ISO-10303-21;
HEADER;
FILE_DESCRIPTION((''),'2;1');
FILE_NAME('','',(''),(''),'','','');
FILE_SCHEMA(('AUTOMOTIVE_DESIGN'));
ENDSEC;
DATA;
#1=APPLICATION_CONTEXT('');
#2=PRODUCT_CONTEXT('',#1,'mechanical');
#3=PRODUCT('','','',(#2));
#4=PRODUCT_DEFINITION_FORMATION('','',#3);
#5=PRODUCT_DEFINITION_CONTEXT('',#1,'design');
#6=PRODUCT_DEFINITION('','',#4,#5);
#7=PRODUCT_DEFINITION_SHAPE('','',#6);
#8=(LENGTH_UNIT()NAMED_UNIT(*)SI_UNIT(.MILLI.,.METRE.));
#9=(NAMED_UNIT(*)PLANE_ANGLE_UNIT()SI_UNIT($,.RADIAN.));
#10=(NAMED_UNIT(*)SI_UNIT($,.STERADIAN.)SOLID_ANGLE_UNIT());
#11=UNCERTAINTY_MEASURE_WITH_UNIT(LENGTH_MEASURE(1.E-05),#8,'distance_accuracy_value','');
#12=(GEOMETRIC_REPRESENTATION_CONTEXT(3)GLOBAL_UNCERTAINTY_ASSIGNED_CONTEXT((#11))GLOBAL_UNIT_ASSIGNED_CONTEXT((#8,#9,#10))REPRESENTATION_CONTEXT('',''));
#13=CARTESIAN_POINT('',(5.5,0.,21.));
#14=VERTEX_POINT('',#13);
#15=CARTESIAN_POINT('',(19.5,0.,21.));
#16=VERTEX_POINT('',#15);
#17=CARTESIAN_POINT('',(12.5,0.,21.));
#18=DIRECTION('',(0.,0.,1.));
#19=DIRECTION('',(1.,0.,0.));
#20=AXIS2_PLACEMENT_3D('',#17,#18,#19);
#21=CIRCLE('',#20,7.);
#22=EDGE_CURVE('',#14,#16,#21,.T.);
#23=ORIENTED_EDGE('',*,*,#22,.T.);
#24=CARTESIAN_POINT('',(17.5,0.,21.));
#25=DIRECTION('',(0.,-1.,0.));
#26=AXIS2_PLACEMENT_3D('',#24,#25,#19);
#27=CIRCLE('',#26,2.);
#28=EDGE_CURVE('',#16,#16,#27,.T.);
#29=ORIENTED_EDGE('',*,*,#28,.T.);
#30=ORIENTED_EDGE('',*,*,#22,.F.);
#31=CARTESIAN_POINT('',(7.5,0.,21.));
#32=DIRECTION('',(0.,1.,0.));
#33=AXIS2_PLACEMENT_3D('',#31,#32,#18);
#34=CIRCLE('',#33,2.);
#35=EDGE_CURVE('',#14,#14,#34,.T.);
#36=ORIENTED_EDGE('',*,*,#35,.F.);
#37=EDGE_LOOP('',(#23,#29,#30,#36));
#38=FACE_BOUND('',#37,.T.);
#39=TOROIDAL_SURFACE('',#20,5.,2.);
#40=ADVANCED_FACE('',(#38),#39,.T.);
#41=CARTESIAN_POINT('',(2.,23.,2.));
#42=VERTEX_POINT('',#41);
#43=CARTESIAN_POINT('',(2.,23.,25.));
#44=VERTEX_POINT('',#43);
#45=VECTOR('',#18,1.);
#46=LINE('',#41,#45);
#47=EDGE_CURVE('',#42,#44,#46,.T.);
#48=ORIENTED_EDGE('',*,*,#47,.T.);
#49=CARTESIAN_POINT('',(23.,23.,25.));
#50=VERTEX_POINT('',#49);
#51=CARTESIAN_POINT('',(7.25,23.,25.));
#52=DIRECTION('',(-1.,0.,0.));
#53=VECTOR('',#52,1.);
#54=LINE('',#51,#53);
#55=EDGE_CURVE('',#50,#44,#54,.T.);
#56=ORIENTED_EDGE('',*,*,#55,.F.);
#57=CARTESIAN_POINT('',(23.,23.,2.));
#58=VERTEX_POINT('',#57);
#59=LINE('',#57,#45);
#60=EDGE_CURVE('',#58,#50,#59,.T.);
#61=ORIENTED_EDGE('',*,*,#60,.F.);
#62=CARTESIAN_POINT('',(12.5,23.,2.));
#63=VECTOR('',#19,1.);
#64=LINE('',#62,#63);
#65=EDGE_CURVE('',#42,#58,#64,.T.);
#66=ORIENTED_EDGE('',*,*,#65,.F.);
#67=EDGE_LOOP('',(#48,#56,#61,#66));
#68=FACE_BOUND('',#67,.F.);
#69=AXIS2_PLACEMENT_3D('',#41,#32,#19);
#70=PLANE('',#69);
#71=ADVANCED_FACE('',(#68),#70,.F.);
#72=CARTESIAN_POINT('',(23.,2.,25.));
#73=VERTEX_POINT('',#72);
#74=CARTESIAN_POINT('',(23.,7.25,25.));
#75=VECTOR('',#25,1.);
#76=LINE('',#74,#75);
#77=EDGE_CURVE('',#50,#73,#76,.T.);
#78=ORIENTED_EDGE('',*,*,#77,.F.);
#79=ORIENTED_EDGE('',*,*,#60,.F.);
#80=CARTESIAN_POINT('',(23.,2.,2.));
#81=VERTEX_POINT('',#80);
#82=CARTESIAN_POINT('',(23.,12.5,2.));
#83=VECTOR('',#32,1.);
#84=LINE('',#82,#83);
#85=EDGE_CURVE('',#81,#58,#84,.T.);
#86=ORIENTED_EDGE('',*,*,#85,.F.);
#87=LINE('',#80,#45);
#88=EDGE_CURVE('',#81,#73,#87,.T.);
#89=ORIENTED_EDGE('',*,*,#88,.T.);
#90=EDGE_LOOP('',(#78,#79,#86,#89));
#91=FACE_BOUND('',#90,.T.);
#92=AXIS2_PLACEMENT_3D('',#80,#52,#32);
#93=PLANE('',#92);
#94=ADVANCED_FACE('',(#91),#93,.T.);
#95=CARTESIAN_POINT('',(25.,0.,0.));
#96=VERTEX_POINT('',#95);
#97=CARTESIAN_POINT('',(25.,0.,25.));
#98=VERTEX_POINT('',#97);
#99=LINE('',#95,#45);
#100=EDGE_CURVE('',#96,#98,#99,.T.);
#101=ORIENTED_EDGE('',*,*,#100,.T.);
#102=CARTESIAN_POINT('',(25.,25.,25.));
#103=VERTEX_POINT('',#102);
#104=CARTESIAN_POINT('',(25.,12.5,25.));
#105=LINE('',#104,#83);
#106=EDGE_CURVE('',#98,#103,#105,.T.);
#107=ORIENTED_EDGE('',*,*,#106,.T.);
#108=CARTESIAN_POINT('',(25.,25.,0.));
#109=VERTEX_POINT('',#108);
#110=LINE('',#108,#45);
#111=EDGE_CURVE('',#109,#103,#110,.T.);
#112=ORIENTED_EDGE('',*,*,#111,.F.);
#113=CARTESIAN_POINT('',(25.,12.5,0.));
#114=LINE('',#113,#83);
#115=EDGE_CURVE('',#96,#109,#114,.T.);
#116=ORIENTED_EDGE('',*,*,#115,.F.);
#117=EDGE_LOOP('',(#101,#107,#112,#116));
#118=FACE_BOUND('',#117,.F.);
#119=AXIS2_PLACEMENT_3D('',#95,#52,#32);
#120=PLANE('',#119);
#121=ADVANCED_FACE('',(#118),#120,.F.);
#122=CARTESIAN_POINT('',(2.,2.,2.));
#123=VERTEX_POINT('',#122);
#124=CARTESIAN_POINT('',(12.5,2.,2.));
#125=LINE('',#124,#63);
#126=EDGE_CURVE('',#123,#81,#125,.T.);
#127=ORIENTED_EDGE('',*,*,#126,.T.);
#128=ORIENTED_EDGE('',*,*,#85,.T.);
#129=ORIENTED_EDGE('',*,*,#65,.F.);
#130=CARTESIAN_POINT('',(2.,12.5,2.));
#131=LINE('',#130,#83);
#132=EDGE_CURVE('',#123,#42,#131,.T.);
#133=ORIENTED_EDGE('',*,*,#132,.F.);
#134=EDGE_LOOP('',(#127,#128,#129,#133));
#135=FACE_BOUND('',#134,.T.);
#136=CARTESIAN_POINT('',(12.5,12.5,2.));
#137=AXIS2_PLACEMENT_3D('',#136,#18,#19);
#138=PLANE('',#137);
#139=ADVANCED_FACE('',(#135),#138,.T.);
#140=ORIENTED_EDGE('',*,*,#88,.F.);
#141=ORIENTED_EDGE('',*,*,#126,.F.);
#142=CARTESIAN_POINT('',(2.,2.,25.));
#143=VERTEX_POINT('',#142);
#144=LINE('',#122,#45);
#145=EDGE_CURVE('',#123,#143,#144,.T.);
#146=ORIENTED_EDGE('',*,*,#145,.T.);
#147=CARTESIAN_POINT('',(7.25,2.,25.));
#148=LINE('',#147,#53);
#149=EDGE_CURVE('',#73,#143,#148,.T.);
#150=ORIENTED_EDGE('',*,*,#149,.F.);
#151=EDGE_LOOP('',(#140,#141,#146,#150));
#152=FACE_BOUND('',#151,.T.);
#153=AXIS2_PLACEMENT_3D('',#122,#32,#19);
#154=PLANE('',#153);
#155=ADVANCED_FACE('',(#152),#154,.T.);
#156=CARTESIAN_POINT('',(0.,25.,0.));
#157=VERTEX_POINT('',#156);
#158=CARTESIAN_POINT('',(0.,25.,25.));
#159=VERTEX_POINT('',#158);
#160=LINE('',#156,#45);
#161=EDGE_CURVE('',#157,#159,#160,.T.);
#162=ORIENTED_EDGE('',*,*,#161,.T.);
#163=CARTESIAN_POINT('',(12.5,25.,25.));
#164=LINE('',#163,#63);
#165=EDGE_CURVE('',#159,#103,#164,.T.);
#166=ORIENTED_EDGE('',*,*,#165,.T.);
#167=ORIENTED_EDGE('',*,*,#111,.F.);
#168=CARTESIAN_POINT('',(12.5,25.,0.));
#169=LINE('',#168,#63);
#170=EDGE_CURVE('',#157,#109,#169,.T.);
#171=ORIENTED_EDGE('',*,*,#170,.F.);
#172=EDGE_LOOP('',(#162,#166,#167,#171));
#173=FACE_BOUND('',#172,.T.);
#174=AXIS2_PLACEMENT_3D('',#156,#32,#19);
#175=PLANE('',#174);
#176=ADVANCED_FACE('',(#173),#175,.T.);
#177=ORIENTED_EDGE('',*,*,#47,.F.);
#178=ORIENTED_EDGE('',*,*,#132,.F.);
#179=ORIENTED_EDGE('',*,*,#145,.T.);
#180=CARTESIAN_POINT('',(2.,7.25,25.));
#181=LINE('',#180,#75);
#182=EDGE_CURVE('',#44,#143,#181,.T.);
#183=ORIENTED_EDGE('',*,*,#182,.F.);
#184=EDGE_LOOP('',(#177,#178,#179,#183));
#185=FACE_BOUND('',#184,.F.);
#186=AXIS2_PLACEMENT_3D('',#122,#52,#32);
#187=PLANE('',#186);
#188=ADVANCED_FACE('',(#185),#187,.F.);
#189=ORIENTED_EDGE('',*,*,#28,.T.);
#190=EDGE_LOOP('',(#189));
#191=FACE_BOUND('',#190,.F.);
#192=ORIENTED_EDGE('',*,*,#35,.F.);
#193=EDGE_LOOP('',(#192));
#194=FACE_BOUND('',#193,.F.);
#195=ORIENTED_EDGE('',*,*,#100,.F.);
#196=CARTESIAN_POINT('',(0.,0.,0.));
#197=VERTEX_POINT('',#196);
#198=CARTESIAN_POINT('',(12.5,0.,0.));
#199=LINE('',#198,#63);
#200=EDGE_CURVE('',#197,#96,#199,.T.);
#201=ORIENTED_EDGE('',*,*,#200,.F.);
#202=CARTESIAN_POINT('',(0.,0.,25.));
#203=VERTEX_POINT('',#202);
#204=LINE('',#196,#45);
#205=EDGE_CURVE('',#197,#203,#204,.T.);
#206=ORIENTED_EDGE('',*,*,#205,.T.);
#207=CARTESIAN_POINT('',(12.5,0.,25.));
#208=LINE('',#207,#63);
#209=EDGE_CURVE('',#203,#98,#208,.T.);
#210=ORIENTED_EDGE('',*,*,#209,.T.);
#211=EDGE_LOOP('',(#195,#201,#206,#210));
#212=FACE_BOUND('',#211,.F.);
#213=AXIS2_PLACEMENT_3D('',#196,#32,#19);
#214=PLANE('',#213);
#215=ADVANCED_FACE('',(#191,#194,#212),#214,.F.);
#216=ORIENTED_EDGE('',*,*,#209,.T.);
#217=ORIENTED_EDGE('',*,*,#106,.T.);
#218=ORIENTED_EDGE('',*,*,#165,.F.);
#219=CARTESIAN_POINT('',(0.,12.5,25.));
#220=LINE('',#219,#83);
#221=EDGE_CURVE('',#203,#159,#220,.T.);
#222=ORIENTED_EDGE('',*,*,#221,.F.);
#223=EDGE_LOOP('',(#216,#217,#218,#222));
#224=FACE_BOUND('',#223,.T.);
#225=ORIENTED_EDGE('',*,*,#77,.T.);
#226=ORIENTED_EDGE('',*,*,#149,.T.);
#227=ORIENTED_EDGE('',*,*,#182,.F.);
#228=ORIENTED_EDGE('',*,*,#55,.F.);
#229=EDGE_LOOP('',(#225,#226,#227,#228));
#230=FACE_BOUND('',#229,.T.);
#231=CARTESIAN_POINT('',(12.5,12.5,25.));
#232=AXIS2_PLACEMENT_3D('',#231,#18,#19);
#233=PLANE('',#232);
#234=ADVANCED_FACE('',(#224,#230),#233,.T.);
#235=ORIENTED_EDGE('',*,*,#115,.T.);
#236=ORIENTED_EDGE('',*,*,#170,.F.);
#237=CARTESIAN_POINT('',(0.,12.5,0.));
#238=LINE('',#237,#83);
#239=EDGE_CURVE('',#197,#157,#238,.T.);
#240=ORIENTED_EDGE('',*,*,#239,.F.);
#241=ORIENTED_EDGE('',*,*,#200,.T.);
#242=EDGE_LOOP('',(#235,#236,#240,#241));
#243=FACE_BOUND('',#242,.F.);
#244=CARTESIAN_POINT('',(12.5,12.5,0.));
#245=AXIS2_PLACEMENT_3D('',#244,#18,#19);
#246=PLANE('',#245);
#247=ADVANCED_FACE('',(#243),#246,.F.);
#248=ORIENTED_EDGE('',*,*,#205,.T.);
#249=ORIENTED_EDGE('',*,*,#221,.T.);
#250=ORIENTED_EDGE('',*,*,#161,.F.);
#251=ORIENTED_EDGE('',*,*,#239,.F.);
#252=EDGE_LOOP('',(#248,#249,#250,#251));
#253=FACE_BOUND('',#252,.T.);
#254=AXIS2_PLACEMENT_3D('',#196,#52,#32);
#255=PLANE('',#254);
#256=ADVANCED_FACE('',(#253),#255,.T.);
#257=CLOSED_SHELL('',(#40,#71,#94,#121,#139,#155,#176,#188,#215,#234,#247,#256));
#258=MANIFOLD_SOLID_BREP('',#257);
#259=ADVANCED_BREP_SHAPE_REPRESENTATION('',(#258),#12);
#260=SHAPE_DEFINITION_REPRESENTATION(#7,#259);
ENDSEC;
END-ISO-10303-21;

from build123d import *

# Parameters (mm, degrees)
BOX001_W     = 21
BOX001_H     = 21
BOX001_DEPTH = 24
TORUS_R      = 2
BOX_W        = 25
BOX_H        = 25
BOX_DEPTH    = 25


with BuildPart() as cube001:
    # Box001 → Box001 (new body)
    with BuildSketch(Plane(origin=(2, 2, 2), x_dir=(1, 0, 0), z_dir=(0, 0, 1))):
        with Locations((10.5, 10.5)):
            Rectangle(BOX001_W, BOX001_H)
    extrude(amount=BOX001_DEPTH)


with BuildPart() as torus:
    # Torus → Torus (revolve)
    with BuildSketch(Plane(origin=(12.5, 0, 21), x_dir=(1, 0, 0), z_dir=(0, -1, 0))):
        with Locations((5, 0)):
            Circle(TORUS_R)
    revolve(axis=Axis((12.5, 0, 21), (0, 0, 1)))


with BuildPart() as cut:
    # Box → Box (new body)
    with BuildSketch(Plane.XY):
        with Locations((12.5, 12.5)):
            Rectangle(BOX_W, BOX_H)
    extrude(amount=BOX_DEPTH)

    # Fusion: union Torus
    add(torus.part)

    # Cut: cut Cube001
    add(cube001.part, mode=Mode.SUBTRACT)


solid = cut.part
